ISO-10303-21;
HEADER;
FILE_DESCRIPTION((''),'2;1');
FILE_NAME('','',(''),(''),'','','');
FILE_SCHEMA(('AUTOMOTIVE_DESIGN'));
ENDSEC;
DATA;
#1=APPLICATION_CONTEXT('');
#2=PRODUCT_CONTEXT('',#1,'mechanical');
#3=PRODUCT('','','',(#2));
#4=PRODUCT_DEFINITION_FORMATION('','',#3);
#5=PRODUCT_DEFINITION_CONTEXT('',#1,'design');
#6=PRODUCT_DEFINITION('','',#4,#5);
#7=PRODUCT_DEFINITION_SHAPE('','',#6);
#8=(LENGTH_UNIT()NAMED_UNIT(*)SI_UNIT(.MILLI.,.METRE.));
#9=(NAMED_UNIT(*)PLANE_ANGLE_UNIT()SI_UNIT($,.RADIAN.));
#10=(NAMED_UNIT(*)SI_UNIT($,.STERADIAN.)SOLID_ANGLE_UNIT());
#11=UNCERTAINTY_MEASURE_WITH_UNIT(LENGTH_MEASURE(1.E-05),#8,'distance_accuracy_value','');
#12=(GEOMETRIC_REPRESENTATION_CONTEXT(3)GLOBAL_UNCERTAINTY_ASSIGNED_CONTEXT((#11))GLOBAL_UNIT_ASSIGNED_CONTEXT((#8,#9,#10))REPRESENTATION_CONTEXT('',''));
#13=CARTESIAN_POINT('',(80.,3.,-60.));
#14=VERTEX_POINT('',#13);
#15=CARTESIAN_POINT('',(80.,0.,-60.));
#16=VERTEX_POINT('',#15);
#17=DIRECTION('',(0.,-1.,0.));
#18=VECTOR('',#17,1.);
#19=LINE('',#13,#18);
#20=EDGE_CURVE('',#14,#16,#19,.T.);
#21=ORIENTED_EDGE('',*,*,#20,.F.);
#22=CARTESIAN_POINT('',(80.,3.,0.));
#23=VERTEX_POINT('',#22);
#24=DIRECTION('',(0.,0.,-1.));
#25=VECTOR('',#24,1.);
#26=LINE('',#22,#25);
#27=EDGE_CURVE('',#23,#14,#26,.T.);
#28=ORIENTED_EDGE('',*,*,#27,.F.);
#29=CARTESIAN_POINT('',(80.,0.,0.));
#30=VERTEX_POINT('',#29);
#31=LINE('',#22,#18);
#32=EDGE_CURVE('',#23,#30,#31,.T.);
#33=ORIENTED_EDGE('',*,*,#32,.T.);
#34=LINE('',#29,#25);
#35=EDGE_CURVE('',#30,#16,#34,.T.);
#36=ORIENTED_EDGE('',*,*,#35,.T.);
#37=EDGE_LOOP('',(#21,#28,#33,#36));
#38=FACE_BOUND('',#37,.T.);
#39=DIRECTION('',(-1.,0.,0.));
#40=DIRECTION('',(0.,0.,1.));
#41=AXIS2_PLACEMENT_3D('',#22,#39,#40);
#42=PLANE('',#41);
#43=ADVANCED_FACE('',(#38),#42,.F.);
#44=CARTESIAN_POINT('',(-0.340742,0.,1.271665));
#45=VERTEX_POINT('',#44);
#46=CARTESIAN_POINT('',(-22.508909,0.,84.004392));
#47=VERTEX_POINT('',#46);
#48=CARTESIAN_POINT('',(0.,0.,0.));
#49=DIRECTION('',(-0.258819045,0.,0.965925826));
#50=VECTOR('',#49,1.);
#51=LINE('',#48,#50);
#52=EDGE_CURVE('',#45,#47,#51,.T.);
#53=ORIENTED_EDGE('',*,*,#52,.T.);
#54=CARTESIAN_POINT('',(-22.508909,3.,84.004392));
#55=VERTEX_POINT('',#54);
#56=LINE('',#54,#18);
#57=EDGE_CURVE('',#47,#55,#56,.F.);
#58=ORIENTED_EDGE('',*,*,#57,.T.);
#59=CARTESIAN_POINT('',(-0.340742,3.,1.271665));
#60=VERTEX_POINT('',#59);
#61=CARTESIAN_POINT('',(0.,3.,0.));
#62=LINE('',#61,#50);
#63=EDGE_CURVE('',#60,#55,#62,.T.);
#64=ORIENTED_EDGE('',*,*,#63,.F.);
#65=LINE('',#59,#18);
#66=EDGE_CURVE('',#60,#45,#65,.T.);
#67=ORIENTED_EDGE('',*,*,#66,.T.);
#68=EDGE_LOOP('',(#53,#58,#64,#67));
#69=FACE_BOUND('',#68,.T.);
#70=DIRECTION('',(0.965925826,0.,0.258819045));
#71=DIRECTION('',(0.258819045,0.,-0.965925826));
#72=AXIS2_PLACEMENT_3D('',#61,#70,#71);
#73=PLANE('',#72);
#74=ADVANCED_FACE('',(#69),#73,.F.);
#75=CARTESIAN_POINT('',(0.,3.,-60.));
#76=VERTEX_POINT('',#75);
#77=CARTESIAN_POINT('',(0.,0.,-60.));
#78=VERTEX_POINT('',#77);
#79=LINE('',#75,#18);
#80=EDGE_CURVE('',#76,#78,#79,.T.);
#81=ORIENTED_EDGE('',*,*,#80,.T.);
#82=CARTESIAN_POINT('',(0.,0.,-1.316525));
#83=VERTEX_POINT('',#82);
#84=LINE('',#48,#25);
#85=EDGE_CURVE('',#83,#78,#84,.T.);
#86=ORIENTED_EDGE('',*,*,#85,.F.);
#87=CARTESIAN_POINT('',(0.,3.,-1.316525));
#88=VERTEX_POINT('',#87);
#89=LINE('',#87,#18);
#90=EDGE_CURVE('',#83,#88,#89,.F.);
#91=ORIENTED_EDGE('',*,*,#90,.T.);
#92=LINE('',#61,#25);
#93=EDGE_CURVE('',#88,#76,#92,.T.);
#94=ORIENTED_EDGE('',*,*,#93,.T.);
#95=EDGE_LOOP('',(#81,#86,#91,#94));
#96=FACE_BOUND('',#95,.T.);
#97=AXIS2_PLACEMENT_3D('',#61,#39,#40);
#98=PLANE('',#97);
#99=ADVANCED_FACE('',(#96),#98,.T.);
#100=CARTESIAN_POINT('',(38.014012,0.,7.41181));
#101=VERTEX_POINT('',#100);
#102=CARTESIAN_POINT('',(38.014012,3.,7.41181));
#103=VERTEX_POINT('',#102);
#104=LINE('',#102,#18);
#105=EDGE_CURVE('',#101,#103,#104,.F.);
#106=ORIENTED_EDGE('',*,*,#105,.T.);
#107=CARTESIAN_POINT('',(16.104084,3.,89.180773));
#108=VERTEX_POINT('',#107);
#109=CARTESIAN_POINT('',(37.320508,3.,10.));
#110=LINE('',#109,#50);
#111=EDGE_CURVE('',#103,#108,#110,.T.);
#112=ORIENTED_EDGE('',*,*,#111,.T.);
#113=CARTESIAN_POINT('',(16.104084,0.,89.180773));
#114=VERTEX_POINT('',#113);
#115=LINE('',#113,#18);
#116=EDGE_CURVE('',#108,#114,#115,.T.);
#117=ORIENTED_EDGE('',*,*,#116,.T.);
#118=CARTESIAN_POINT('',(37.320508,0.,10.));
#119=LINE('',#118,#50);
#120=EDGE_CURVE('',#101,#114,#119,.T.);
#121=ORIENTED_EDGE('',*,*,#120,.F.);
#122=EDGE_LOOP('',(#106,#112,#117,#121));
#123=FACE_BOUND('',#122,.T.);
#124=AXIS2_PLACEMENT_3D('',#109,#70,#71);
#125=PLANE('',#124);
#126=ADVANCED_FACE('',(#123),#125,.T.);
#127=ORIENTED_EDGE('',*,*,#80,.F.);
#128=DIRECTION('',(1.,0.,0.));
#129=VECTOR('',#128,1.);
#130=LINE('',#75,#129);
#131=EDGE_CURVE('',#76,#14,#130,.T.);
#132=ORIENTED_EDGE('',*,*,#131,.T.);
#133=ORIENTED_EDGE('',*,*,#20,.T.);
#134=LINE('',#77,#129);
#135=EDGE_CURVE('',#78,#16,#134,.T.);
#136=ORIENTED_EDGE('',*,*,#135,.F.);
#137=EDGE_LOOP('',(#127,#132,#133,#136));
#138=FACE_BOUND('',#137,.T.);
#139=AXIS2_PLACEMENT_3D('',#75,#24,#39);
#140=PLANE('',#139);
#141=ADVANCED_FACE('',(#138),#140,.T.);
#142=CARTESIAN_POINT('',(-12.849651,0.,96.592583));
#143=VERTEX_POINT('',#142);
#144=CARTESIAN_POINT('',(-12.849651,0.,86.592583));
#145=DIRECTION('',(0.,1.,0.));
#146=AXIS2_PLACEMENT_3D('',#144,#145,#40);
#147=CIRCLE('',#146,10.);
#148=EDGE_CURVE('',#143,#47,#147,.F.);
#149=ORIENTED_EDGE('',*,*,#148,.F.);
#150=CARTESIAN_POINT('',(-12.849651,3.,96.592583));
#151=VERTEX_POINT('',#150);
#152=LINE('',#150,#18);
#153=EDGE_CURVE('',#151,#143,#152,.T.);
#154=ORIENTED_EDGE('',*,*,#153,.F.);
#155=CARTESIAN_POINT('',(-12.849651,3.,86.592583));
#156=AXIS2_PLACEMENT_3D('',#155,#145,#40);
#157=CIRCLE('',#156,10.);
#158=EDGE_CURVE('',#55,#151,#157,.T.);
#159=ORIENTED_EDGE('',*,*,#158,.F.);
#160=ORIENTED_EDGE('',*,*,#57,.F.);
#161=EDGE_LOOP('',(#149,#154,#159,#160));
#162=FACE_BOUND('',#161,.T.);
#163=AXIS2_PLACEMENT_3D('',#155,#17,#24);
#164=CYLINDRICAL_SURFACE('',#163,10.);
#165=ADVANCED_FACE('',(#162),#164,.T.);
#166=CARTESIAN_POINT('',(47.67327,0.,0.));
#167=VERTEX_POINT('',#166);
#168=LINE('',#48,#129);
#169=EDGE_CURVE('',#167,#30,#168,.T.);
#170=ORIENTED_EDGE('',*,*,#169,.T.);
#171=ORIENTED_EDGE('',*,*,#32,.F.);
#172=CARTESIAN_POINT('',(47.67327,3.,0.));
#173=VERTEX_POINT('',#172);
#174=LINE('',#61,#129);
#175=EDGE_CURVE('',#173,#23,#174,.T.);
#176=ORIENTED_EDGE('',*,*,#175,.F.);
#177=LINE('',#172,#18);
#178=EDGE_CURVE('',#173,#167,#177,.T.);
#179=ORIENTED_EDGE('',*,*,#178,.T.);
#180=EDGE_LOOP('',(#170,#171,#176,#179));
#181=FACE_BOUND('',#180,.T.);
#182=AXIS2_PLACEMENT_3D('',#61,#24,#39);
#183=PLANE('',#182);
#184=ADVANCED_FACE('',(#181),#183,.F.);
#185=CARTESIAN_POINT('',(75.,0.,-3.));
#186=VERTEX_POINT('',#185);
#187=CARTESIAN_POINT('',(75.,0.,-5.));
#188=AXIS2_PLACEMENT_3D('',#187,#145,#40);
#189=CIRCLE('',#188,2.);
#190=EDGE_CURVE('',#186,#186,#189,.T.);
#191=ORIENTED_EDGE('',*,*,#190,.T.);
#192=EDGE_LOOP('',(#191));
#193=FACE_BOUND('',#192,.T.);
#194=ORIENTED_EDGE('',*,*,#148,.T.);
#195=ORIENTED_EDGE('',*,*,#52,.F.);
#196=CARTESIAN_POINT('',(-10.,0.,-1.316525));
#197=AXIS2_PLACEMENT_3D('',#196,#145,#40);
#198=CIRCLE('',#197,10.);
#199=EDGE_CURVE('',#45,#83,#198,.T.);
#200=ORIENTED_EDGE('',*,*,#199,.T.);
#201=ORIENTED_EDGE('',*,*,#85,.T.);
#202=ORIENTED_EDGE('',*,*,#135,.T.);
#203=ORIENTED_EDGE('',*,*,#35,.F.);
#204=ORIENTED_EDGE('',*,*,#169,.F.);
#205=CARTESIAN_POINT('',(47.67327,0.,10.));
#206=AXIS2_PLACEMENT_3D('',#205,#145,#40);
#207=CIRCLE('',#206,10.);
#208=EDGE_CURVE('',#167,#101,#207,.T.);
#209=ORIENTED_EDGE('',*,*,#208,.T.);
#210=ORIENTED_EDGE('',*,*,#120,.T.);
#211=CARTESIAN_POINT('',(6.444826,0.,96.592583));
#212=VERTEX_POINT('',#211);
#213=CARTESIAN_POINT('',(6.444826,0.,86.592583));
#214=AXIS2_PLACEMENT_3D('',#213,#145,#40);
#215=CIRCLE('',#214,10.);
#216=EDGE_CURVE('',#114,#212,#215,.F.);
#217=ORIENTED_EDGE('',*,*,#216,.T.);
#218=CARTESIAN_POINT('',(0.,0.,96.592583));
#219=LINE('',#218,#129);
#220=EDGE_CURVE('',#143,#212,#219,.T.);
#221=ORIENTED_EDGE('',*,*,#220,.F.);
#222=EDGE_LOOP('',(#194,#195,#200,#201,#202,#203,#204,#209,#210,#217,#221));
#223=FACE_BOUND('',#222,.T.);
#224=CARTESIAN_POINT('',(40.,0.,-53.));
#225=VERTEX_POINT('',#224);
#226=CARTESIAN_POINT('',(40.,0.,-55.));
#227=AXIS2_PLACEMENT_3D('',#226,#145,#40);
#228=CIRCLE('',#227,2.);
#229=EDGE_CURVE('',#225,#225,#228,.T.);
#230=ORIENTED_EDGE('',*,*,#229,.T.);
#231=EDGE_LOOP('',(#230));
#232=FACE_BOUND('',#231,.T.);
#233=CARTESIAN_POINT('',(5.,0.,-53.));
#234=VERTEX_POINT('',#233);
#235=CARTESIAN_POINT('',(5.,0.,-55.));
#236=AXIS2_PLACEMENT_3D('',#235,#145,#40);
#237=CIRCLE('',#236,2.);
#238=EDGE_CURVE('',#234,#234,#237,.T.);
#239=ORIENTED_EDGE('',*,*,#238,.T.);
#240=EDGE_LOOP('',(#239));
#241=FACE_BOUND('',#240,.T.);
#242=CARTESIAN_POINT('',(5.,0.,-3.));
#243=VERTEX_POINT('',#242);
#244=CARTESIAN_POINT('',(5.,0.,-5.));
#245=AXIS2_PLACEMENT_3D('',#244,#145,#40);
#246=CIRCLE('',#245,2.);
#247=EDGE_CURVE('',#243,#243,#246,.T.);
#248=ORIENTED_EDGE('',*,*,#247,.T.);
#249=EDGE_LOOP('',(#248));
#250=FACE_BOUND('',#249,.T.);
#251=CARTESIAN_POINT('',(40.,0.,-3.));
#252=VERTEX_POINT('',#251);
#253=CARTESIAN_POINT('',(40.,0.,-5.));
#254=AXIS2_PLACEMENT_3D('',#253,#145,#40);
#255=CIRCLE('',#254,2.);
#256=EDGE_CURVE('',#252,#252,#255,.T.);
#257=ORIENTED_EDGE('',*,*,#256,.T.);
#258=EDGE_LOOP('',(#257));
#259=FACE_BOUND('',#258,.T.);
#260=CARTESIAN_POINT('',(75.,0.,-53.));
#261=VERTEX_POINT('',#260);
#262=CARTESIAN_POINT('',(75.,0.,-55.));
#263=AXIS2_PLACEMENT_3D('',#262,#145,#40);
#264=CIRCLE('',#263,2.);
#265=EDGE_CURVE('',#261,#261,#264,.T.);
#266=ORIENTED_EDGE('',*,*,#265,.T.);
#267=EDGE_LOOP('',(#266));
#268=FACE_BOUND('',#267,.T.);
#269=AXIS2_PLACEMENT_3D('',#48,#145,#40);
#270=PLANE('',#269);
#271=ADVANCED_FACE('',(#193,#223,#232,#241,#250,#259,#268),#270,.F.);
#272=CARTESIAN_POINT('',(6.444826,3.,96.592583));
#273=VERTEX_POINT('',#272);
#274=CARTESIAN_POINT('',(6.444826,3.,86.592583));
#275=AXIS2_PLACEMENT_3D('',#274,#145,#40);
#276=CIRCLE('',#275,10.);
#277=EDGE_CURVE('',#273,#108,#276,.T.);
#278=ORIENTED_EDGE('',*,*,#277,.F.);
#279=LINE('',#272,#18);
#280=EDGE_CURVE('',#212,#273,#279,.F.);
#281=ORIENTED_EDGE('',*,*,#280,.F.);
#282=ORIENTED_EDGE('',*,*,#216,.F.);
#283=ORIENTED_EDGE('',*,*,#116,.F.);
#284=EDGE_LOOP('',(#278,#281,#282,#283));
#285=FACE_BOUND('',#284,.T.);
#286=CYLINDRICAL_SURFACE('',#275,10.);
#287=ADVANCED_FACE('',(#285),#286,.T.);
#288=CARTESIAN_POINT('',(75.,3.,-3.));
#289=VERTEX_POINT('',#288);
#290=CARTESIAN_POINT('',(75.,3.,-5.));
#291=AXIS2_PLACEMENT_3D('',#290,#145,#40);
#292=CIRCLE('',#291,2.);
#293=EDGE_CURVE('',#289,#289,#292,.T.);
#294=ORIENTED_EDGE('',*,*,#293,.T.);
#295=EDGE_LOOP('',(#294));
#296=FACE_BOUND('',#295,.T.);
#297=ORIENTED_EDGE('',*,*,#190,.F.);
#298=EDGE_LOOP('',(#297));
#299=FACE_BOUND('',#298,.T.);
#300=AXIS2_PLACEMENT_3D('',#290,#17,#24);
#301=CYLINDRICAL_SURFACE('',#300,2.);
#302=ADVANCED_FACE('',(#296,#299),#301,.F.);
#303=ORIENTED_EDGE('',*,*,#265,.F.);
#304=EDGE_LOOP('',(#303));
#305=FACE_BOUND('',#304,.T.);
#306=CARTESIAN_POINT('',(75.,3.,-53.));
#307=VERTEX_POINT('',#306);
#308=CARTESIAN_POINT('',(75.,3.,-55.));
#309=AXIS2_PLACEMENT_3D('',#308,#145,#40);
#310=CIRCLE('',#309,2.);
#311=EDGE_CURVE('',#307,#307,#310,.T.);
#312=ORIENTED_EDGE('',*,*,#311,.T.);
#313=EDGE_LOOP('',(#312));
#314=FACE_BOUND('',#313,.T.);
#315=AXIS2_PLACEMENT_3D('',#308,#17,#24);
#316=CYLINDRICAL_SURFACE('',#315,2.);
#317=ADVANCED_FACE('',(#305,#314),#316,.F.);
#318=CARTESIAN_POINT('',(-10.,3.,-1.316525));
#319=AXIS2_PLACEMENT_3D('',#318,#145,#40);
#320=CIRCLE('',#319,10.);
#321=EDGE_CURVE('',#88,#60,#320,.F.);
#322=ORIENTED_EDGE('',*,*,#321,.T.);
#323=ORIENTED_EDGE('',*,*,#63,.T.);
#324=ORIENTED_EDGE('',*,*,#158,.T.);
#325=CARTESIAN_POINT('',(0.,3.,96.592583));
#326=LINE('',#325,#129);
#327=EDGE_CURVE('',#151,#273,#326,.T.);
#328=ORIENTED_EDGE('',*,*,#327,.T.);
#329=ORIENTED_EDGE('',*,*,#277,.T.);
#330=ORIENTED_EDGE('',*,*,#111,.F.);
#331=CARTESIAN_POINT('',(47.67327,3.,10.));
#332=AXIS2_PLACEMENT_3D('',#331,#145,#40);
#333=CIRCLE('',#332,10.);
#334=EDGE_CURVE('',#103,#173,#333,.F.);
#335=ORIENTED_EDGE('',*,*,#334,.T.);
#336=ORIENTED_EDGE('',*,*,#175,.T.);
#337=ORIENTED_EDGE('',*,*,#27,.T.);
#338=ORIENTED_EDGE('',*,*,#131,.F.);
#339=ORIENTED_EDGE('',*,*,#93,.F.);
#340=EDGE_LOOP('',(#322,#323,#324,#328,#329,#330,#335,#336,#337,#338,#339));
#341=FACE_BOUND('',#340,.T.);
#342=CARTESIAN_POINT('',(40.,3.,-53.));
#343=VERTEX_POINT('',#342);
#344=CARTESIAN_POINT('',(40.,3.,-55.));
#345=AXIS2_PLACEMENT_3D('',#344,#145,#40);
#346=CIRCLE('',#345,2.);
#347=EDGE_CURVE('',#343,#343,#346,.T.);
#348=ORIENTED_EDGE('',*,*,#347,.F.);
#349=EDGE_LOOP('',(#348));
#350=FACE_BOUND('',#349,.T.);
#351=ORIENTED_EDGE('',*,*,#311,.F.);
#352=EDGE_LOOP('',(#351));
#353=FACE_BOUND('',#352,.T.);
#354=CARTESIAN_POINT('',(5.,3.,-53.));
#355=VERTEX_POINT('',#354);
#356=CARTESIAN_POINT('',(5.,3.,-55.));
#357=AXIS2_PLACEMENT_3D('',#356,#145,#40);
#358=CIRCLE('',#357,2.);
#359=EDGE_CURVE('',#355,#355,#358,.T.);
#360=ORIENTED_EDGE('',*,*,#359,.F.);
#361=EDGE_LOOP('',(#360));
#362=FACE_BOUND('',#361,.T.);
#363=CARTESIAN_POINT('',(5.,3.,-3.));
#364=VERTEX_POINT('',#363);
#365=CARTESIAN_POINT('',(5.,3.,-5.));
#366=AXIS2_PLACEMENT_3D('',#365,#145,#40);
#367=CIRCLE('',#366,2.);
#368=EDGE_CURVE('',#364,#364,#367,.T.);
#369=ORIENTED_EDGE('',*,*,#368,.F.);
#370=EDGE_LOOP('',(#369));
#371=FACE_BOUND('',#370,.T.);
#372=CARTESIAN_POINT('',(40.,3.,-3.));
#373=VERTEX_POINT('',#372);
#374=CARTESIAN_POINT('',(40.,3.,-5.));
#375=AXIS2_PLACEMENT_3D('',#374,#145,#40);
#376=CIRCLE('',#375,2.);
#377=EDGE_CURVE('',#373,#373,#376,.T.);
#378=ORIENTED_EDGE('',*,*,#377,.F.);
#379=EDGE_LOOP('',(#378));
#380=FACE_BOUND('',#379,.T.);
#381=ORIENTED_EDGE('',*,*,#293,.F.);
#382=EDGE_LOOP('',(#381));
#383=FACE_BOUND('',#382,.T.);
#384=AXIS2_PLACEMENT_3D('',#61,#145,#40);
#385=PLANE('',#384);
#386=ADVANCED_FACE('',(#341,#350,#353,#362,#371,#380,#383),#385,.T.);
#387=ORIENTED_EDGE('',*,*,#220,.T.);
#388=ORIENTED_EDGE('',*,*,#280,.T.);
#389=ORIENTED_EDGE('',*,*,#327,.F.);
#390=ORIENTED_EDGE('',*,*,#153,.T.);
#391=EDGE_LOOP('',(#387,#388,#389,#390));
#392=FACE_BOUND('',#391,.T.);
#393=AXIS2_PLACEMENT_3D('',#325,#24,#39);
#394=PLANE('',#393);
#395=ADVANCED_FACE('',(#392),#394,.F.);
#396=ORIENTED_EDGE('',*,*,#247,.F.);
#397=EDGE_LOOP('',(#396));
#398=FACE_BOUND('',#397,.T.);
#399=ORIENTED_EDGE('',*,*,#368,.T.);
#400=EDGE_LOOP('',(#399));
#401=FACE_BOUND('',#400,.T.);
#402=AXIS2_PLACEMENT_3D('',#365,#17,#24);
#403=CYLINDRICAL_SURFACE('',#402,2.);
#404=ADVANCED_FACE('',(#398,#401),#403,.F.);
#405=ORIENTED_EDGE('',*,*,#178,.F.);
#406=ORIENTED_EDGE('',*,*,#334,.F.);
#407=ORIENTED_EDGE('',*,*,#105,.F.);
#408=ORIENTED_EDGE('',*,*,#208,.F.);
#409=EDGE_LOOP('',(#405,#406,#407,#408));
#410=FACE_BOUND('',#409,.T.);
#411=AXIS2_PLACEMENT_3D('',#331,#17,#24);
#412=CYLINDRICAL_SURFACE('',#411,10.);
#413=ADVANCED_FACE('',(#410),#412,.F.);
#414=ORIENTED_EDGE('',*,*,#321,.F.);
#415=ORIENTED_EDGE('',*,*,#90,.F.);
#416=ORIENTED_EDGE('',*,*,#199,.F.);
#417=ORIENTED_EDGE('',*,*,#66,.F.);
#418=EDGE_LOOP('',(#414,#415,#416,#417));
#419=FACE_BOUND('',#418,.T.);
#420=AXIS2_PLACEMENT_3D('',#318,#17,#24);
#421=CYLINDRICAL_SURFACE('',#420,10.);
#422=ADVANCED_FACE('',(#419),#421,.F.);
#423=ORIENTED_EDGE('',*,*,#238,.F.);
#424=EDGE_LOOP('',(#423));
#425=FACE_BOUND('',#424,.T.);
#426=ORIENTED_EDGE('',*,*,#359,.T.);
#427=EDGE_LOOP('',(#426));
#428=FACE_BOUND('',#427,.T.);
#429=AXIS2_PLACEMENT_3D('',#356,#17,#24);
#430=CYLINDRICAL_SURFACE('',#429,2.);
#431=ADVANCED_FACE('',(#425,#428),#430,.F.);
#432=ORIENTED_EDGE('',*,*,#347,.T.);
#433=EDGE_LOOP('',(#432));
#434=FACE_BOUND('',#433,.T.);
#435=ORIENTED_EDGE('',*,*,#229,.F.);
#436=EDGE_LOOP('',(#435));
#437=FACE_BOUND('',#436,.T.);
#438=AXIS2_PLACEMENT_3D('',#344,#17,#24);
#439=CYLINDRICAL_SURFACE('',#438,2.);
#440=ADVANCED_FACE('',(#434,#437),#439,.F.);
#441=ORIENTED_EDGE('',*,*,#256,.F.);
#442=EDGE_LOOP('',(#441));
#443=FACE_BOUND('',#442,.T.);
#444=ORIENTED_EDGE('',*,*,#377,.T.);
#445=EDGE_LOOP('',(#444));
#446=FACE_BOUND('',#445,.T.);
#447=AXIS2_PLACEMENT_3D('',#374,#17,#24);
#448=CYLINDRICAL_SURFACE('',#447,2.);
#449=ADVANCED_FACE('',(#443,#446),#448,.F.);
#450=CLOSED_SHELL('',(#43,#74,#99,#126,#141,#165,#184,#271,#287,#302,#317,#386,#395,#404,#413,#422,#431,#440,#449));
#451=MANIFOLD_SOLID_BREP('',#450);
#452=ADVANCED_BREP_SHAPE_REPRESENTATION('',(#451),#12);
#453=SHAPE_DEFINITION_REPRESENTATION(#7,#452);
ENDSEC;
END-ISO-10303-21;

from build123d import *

# Parameters (mm, degrees)
SKETCH1_W           = 80
SKETCH1_H           = 60
SKETCH1_R           = 2
BOSS_EXTRUDE1_DEPTH = 3
FILLET1_R           = 10


with BuildPart() as part:
    # Sketch1 → Boss-Extrude1 (new body)
    # profile 1 of 2: a face of its own
    with BuildSketch(Plane(origin=(0, 0, 0), x_dir=(1, 0, 0), z_dir=(0, 1, 0))):
        with Locations((40, 30)):
            Rectangle(SKETCH1_W, SKETCH1_H)
        with Locations(Location((40, 5, 0), (0, 0, 270))):
            Circle(SKETCH1_R, mode=Mode.SUBTRACT)
        with Locations(Location((40, 55, 0), (0, 0, 270))):
            Circle(SKETCH1_R, mode=Mode.SUBTRACT)
        with Locations(Location((5, 5, 0), (0, 0, 270))):
            Circle(SKETCH1_R, mode=Mode.SUBTRACT)
        with Locations(Location((75, 5, 0), (0, 0, 270))):
            Circle(SKETCH1_R, mode=Mode.SUBTRACT)
        with Locations(Location((75, 55, 0), (0, 0, 270))):
            Circle(SKETCH1_R, mode=Mode.SUBTRACT)
        with Locations(Location((5, 55, 0), (0, 0, 270))):
            Circle(SKETCH1_R, mode=Mode.SUBTRACT)
    # profile 2 of 2: a face of its own
    with BuildSketch(Plane(origin=(0, 0, 0), x_dir=(1, 0, 0), z_dir=(0, 1, 0))):
        Polygon((14.11809549, -96.592582629), (40, 0), (0, 0), (-25.88190451, -96.592582629), align=None)
    extrude(amount=BOSS_EXTRUDE1_DEPTH)

    # Fillet1
    fillet1_edges = [part.edges().sort_by_distance(p)[0] for p in [
        (40, 1.5, 0),
        (14.11809549, 1.5, 96.592582629),
        (-25.88190451, 1.5, 96.592582629),
        (0, 1.5, 0),
    ]]
    fillet(fillet1_edges, radius=FILLET1_R)


solid = part.part
